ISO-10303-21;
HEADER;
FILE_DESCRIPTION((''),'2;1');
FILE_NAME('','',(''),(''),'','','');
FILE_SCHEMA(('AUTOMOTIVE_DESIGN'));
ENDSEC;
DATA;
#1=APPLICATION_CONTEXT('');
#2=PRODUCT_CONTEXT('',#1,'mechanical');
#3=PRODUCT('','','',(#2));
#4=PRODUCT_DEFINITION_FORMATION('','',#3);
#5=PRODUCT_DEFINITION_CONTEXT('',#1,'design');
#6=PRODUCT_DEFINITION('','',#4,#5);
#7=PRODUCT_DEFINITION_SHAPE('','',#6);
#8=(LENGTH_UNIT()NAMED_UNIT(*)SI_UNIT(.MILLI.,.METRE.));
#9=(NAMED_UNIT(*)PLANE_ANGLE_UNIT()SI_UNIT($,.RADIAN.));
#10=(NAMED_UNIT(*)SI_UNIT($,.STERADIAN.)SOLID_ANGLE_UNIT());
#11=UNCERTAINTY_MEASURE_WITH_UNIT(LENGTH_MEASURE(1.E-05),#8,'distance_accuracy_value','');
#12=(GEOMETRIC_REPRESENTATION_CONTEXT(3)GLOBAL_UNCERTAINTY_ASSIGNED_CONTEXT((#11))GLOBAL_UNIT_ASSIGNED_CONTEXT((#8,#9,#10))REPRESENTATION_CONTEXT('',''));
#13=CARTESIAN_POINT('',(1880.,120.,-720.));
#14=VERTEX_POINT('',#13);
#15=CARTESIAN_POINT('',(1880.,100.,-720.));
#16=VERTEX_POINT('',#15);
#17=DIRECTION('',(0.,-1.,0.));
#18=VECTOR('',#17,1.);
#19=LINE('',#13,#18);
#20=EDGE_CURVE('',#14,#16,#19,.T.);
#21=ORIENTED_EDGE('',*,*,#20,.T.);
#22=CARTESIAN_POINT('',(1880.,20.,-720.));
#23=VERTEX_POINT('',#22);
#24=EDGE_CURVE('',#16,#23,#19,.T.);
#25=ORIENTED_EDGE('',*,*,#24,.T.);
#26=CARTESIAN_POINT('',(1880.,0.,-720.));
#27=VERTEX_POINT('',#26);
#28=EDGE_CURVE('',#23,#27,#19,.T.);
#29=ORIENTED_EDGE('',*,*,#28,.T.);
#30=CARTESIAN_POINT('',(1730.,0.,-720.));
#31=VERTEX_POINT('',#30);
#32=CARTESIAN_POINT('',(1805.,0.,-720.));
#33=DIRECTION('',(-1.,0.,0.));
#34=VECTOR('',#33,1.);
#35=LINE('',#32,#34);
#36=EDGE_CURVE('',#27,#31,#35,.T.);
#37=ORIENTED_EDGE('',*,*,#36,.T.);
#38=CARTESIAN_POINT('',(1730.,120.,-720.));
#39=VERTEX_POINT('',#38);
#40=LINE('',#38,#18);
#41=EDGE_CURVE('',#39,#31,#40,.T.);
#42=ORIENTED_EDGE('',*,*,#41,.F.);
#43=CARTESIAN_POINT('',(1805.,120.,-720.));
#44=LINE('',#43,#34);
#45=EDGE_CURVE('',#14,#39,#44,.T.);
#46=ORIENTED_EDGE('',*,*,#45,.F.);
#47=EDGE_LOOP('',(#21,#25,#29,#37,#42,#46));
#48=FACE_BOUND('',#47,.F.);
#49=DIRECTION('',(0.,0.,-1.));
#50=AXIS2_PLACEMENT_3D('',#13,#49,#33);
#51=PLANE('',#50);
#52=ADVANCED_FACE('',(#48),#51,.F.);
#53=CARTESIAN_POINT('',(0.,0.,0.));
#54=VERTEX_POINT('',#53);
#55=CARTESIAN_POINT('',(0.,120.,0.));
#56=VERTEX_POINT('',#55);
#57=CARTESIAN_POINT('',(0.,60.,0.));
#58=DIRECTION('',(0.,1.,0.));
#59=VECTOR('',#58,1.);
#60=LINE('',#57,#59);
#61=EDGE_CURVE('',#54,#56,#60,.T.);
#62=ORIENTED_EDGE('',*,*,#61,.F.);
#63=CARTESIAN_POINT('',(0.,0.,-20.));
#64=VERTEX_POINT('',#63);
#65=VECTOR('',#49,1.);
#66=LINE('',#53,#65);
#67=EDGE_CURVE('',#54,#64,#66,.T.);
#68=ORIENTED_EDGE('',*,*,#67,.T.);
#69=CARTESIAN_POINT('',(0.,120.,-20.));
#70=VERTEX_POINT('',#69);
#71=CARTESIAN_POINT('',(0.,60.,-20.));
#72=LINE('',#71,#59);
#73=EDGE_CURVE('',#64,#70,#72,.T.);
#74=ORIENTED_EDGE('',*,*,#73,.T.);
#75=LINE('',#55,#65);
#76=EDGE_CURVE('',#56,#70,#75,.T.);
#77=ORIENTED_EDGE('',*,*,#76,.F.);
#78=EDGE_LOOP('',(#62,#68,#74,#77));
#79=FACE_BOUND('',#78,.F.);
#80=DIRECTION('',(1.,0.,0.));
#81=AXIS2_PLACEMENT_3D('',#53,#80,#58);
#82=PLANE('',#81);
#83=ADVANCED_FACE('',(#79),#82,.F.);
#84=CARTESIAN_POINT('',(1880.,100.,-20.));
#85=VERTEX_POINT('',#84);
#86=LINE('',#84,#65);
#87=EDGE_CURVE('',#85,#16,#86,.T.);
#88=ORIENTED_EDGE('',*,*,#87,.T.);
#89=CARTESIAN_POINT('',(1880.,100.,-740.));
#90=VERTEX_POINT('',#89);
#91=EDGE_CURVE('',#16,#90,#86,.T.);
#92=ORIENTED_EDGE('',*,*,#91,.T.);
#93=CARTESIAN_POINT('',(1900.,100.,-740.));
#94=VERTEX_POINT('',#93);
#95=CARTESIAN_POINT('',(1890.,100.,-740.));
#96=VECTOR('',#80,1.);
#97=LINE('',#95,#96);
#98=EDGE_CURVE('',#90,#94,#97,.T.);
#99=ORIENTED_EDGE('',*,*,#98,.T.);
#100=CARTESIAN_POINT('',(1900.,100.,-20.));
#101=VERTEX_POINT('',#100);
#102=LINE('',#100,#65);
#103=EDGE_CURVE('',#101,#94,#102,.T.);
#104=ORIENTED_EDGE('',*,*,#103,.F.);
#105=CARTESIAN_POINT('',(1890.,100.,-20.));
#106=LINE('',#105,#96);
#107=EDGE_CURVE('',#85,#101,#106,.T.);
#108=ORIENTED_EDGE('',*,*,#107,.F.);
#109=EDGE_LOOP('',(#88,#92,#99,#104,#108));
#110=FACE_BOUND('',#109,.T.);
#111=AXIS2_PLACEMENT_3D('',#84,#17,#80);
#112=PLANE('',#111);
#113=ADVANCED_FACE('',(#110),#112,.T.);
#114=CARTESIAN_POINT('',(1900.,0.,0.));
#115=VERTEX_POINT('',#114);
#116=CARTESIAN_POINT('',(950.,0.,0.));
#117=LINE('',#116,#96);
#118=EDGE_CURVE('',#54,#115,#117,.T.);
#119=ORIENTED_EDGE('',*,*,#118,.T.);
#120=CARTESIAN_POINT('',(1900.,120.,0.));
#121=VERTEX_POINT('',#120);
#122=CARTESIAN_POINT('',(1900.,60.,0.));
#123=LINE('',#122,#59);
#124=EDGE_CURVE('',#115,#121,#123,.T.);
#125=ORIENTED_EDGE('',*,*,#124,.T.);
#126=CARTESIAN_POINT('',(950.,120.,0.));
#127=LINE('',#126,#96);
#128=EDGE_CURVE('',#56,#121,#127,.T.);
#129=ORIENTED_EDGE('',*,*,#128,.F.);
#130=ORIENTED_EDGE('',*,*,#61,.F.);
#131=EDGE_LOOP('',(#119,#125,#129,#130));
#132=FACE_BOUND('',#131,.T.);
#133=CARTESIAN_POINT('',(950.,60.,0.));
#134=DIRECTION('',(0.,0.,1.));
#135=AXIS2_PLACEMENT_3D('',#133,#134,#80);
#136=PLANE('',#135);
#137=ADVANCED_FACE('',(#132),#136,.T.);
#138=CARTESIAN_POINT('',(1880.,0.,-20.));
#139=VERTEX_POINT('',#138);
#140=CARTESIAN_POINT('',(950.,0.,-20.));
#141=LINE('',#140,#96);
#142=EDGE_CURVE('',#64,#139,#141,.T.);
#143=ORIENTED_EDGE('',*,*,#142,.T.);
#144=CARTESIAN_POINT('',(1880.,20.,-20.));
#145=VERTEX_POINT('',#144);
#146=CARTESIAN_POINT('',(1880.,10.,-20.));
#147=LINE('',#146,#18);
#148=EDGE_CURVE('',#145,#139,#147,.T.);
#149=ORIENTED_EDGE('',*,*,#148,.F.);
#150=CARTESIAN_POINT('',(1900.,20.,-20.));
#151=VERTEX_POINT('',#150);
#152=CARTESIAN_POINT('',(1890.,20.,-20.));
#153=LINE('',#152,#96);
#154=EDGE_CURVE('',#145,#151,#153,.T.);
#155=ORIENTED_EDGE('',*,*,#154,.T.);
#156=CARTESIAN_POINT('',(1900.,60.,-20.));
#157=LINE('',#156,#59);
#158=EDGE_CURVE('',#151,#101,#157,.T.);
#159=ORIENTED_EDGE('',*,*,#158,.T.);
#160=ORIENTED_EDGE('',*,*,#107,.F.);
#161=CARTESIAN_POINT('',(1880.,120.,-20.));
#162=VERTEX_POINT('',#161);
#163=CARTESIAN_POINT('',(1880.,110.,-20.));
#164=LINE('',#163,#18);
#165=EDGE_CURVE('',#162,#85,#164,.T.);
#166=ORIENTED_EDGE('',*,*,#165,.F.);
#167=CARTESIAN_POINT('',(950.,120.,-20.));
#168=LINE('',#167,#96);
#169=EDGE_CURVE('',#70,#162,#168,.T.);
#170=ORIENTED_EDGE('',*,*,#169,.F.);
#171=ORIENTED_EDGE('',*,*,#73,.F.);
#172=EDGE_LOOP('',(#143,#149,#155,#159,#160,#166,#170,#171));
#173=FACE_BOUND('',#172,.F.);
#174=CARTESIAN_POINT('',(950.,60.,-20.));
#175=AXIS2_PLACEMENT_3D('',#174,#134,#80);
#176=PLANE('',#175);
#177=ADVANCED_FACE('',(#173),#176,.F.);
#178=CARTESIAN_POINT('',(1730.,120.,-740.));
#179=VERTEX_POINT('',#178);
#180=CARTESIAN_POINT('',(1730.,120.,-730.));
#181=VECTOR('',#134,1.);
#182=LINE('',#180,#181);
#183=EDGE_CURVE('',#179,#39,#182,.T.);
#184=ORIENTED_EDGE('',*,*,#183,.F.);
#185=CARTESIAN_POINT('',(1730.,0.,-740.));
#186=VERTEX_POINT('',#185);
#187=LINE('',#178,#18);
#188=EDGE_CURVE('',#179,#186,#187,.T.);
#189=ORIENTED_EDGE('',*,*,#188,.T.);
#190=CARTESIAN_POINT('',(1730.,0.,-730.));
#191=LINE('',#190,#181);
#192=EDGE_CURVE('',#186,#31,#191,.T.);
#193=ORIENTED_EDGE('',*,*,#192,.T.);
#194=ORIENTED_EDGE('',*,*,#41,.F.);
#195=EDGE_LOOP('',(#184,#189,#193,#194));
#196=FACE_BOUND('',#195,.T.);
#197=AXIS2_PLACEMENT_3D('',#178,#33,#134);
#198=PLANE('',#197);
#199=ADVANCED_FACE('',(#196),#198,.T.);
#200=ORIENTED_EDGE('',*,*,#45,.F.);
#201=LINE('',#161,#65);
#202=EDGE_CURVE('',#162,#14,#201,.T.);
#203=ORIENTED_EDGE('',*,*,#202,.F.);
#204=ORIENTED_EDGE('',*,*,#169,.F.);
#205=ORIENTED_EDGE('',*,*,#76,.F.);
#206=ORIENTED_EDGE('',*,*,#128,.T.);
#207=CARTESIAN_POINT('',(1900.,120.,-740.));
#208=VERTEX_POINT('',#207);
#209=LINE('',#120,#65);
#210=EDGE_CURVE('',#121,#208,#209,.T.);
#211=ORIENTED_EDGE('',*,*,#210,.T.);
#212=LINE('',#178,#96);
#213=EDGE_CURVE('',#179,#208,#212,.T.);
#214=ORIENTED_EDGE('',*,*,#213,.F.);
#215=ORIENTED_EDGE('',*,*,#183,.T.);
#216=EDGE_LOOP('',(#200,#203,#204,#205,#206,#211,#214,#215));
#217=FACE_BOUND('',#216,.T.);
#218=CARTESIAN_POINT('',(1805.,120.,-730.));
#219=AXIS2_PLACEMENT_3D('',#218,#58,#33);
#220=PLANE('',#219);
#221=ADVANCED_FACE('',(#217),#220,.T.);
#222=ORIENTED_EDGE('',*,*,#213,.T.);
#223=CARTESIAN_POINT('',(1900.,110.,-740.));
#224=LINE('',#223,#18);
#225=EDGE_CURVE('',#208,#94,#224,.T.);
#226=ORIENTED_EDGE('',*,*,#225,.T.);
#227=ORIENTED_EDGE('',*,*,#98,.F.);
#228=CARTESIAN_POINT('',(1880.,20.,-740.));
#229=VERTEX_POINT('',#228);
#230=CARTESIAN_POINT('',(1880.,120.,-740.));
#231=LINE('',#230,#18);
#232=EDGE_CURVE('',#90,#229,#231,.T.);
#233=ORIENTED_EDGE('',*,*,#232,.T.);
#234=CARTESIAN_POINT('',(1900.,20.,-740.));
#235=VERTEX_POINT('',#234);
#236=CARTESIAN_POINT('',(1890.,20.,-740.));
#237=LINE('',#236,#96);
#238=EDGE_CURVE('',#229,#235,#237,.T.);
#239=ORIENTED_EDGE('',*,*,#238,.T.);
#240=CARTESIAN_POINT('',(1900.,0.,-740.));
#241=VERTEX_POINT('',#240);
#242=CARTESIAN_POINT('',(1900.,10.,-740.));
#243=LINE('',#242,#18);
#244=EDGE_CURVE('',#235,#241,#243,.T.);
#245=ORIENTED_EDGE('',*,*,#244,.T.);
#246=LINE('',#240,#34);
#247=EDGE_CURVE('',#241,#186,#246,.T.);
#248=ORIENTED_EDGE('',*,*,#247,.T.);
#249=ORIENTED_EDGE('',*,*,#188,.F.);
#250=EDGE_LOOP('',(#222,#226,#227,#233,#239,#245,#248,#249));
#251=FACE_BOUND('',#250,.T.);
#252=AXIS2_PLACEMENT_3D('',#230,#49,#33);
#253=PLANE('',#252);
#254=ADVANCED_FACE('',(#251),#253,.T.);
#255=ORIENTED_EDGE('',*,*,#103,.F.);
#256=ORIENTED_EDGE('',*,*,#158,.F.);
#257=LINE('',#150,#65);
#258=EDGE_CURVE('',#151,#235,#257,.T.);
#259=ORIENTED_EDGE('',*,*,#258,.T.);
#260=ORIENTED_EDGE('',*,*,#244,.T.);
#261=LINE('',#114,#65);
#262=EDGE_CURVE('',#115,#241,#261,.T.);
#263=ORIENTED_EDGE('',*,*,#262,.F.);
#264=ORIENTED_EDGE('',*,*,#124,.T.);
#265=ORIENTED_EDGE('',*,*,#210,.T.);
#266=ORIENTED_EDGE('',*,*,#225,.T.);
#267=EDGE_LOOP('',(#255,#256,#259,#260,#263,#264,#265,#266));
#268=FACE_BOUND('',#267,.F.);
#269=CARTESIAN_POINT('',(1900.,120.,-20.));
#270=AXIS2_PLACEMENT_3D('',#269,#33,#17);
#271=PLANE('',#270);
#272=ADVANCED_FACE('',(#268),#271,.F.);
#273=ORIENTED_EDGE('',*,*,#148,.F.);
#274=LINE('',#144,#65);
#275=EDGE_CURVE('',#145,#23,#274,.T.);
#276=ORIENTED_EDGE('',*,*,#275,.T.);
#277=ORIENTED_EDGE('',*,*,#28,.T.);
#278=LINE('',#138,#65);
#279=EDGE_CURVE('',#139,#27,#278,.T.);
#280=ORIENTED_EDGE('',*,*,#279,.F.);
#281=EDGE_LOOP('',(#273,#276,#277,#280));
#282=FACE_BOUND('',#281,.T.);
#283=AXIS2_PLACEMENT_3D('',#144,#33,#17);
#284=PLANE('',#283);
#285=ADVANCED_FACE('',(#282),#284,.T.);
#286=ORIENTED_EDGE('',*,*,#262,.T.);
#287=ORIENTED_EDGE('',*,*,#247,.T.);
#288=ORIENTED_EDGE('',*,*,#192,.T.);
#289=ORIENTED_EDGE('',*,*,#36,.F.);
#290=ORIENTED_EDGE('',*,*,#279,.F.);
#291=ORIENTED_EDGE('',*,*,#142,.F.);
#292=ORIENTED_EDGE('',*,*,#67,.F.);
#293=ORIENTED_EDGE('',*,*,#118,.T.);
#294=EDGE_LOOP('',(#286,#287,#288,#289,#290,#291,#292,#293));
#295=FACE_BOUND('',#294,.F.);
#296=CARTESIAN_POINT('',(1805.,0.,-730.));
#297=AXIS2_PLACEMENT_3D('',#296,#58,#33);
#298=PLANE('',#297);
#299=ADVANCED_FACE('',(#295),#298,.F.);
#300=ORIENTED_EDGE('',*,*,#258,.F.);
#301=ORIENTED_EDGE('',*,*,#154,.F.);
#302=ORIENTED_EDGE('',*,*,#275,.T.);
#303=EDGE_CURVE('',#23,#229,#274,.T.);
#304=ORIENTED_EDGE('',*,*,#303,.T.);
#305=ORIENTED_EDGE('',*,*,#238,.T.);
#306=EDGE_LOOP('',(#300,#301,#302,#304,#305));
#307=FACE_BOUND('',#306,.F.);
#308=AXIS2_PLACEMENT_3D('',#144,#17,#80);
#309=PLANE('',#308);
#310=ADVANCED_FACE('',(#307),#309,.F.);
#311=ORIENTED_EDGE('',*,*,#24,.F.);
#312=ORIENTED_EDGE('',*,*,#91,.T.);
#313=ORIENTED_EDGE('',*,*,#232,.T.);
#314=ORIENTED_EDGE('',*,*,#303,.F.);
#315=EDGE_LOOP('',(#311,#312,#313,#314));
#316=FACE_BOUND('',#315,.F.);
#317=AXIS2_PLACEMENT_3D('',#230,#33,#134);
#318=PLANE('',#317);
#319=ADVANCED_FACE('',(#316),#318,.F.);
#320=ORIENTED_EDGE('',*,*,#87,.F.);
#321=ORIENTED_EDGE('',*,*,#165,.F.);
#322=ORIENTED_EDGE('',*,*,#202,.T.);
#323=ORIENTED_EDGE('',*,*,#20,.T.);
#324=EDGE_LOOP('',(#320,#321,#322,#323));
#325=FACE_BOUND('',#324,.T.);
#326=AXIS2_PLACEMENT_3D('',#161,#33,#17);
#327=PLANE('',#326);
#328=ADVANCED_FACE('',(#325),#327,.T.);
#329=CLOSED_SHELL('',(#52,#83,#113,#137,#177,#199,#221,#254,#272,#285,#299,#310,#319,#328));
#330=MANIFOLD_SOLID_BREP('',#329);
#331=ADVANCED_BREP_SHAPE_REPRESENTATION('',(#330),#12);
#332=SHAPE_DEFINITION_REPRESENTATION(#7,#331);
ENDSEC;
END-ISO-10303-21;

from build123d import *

# Parameters (mm, degrees)
F0_W     = 1900
F0_H     = 120
F1_DEPTH = 20
F2_W     = 20
F2_H     = 20
F3_DEPTH = 720
F4_W     = 150
F4_H     = 20
F5_DEPTH = 120


with BuildPart() as f1:
    # F0 (on Top) → F1 (new body)
    with BuildSketch(Plane.XY):
        with Locations((950, 60)):
            Rectangle(F0_W, F0_H)
    extrude(amount=-F1_DEPTH)

    # F2 (on face) → F3 (join)
    with BuildSketch(Plane(origin=(0, 0, -20), x_dir=(1, 0, 0), z_dir=(0, 0, -1))):
        with Locations((1890, -110)):
            Rectangle(F2_W, F2_H)
        with Locations((1890, -10)):
            Rectangle(F2_W, F2_H)
    extrude(amount=F3_DEPTH)

    # F4 (on face) → F5 (join)
    with BuildSketch(Plane(origin=(0, 120, 0), x_dir=(-1, 0, 0), z_dir=(0, 1, 0))):
        with Locations((-1805, -730)):
            Rectangle(F4_W, F4_H)
    extrude(amount=-F5_DEPTH)


solid = f1.part
